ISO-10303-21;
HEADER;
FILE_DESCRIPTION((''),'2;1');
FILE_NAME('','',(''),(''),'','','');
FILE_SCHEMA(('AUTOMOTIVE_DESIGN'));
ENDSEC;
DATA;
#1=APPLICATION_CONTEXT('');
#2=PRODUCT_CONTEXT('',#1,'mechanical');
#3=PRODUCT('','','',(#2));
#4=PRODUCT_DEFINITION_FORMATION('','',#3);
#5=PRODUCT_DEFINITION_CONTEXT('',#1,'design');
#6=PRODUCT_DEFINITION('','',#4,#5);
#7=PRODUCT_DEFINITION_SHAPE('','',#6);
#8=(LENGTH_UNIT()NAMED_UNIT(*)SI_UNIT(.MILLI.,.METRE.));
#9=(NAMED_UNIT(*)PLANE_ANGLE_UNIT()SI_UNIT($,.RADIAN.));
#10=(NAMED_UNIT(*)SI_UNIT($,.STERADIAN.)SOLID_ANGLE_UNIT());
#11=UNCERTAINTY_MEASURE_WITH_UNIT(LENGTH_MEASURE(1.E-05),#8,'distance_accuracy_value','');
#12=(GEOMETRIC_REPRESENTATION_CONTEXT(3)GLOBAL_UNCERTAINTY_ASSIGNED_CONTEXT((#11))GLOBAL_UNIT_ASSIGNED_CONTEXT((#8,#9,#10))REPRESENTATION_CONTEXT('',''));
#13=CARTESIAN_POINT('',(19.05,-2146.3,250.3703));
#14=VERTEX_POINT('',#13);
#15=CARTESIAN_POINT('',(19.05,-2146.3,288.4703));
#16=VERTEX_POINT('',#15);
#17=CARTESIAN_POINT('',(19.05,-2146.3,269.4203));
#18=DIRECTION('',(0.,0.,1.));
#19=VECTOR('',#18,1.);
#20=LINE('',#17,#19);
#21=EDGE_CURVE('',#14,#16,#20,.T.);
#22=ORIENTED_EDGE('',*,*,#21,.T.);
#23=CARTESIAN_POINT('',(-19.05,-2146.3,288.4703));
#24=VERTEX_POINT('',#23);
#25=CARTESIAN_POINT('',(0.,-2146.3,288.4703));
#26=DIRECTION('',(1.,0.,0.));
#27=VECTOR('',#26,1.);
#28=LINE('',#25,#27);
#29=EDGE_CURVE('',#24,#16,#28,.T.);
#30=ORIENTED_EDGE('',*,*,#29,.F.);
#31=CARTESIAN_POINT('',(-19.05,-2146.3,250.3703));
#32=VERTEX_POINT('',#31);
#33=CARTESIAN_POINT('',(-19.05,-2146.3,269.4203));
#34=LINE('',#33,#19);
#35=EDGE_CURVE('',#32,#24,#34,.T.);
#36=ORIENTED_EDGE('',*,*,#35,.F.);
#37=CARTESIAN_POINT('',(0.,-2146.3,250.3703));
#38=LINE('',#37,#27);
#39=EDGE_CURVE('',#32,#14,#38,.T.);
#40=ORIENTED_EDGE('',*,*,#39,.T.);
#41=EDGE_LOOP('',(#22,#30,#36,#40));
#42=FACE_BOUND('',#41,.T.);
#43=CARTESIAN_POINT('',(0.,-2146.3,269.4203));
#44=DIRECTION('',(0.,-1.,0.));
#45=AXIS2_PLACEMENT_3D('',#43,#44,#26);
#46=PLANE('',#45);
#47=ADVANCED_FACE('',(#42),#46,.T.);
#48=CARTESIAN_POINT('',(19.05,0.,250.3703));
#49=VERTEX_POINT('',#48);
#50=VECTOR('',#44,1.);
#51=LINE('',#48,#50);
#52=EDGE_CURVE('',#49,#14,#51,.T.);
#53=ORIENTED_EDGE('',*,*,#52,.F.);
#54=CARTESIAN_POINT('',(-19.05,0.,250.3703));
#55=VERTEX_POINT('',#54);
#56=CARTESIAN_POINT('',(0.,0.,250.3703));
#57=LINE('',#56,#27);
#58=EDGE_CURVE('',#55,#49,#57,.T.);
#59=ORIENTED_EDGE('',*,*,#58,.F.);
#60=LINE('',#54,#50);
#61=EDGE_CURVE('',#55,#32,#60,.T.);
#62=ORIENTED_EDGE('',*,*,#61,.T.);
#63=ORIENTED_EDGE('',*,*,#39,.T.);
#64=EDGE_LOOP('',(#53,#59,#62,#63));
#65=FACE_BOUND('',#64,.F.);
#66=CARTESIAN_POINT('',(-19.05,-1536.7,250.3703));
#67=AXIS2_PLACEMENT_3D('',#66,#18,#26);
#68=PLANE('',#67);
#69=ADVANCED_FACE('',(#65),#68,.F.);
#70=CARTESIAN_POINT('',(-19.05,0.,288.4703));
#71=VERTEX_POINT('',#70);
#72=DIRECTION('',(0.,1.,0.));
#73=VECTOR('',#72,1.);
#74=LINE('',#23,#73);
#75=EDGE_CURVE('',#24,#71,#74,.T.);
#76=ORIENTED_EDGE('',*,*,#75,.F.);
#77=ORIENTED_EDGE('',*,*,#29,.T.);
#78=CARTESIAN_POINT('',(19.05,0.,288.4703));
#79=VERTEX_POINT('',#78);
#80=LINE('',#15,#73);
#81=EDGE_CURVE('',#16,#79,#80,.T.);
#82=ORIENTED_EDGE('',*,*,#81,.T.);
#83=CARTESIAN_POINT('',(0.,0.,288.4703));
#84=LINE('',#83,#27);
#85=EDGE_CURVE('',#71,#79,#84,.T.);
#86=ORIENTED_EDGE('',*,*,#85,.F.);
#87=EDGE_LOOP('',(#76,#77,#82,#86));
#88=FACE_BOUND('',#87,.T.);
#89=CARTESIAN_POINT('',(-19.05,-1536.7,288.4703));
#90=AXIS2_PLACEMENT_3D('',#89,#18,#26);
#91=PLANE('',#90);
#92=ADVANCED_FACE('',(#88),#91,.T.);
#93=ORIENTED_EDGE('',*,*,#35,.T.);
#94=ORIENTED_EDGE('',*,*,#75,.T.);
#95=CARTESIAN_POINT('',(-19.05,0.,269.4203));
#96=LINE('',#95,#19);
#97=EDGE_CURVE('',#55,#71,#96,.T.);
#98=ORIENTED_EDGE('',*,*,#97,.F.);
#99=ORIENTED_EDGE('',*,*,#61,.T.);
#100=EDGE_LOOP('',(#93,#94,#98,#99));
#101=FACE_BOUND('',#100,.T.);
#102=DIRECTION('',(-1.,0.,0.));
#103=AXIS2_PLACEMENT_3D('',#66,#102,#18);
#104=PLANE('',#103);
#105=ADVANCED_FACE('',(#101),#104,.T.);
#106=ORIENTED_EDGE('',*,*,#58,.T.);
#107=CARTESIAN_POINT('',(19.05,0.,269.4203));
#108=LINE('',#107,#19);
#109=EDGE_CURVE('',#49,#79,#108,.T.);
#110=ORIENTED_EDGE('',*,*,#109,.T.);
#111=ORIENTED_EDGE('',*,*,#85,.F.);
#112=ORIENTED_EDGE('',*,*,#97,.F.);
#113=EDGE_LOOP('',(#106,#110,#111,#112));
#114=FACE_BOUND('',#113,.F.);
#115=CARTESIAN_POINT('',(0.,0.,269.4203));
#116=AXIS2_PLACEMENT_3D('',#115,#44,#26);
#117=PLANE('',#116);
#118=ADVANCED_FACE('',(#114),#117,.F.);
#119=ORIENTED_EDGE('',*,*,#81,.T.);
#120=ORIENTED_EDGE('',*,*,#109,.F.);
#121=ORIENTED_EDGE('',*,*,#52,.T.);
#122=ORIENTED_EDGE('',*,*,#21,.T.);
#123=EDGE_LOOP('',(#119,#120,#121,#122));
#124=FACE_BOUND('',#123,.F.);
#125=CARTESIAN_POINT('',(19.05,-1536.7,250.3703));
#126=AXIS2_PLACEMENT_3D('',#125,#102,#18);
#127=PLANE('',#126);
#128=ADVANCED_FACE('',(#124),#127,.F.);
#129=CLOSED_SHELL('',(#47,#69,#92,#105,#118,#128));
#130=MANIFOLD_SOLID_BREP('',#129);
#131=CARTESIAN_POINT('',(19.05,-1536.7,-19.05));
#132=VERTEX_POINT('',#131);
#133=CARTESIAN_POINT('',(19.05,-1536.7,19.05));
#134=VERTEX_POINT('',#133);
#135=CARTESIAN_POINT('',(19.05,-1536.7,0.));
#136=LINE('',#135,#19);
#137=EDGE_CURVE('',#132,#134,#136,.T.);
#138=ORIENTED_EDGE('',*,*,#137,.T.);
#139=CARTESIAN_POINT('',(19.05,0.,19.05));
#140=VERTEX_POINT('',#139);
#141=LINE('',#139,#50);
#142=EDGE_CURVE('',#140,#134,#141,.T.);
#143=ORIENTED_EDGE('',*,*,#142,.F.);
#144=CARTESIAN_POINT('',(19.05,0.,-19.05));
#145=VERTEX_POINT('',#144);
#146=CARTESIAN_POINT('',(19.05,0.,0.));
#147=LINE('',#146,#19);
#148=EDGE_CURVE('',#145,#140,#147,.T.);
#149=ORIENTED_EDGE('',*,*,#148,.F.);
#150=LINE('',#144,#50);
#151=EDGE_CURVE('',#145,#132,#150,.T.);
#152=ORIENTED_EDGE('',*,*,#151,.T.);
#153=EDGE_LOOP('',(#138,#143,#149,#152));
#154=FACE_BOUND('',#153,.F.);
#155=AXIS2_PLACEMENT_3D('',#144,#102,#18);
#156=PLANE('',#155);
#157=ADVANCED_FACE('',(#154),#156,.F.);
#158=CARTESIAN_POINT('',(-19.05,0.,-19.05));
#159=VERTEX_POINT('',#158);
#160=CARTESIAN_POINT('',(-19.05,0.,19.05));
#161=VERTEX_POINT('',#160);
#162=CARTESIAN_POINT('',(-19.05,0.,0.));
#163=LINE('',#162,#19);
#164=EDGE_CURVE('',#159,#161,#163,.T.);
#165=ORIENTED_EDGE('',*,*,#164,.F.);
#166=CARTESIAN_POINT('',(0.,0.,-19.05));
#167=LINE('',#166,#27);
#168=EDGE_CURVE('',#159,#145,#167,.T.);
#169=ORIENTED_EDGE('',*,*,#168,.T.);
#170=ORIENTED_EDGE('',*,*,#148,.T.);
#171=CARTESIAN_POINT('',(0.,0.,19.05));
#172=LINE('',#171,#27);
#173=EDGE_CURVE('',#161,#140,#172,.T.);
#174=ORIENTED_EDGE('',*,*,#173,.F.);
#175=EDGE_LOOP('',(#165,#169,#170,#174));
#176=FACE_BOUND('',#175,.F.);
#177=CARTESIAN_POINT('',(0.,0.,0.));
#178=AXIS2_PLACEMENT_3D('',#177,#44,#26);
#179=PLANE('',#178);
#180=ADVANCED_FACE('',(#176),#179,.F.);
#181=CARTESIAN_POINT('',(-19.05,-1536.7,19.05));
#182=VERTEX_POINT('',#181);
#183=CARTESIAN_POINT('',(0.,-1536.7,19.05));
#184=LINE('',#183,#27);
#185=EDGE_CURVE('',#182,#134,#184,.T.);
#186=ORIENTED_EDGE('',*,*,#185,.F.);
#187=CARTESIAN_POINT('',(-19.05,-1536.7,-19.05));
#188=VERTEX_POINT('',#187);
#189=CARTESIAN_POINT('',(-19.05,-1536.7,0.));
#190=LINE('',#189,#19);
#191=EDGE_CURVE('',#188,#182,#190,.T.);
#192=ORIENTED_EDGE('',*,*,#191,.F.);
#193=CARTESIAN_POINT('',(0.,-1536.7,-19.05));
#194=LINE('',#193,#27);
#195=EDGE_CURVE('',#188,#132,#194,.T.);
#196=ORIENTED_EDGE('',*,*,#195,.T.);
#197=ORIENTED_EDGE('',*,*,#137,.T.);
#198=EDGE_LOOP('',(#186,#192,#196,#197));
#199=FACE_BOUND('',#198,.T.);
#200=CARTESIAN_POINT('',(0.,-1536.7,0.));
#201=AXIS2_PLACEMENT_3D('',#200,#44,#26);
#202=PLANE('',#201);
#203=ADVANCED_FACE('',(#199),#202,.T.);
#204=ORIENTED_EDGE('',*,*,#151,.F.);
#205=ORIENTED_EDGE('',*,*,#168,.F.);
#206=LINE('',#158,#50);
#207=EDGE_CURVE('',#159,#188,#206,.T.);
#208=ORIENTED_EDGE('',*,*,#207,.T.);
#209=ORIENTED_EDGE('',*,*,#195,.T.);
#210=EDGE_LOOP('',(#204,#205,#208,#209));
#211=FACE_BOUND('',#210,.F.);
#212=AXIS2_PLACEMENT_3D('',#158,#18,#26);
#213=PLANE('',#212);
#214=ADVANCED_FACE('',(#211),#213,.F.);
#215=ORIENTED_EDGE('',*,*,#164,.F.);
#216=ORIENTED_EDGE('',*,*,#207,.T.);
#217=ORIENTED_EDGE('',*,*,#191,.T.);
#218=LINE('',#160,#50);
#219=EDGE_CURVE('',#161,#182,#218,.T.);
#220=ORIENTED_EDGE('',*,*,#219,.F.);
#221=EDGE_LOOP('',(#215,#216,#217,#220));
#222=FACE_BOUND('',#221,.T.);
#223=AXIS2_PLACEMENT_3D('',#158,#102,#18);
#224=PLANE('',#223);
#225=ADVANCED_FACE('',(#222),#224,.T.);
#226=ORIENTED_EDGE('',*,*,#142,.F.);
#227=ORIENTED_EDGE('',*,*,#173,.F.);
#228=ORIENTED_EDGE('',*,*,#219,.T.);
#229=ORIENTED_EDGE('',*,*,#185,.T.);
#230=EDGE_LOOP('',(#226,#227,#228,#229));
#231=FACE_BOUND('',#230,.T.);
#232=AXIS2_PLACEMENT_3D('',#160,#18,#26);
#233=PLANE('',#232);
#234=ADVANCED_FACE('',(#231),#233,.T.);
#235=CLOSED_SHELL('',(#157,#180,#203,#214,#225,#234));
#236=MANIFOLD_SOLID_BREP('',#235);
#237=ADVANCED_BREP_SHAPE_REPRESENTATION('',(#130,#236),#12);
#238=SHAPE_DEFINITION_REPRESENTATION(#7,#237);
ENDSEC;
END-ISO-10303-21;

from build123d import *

# Parameters (mm, degrees)
F0_W     = 38.1
F0_H     = 38.1
F1_DEPTH = 1536.7
F3_DEPTH = 609.6


with BuildPart() as f1:
    # F0 (on Front) → F1 (new body)
    with BuildSketch(Plane.XZ):
        Rectangle(F0_W, F0_H)
    extrude(amount=F1_DEPTH)


with BuildPart() as f2_1:
    # F2: copy of F1
    add(f1.part.moved(Location((0, 0, 269.4203))))

    # F3 (add): a face of the model
    f3_faces = [f2_1.faces().sort_by_distance(p)[0] for p in [
        (0, -1536.7, 269.4203),
    ]]
    extrude(f3_faces, amount=F3_DEPTH)


solid = Compound([f1.part, f2_1.part])
